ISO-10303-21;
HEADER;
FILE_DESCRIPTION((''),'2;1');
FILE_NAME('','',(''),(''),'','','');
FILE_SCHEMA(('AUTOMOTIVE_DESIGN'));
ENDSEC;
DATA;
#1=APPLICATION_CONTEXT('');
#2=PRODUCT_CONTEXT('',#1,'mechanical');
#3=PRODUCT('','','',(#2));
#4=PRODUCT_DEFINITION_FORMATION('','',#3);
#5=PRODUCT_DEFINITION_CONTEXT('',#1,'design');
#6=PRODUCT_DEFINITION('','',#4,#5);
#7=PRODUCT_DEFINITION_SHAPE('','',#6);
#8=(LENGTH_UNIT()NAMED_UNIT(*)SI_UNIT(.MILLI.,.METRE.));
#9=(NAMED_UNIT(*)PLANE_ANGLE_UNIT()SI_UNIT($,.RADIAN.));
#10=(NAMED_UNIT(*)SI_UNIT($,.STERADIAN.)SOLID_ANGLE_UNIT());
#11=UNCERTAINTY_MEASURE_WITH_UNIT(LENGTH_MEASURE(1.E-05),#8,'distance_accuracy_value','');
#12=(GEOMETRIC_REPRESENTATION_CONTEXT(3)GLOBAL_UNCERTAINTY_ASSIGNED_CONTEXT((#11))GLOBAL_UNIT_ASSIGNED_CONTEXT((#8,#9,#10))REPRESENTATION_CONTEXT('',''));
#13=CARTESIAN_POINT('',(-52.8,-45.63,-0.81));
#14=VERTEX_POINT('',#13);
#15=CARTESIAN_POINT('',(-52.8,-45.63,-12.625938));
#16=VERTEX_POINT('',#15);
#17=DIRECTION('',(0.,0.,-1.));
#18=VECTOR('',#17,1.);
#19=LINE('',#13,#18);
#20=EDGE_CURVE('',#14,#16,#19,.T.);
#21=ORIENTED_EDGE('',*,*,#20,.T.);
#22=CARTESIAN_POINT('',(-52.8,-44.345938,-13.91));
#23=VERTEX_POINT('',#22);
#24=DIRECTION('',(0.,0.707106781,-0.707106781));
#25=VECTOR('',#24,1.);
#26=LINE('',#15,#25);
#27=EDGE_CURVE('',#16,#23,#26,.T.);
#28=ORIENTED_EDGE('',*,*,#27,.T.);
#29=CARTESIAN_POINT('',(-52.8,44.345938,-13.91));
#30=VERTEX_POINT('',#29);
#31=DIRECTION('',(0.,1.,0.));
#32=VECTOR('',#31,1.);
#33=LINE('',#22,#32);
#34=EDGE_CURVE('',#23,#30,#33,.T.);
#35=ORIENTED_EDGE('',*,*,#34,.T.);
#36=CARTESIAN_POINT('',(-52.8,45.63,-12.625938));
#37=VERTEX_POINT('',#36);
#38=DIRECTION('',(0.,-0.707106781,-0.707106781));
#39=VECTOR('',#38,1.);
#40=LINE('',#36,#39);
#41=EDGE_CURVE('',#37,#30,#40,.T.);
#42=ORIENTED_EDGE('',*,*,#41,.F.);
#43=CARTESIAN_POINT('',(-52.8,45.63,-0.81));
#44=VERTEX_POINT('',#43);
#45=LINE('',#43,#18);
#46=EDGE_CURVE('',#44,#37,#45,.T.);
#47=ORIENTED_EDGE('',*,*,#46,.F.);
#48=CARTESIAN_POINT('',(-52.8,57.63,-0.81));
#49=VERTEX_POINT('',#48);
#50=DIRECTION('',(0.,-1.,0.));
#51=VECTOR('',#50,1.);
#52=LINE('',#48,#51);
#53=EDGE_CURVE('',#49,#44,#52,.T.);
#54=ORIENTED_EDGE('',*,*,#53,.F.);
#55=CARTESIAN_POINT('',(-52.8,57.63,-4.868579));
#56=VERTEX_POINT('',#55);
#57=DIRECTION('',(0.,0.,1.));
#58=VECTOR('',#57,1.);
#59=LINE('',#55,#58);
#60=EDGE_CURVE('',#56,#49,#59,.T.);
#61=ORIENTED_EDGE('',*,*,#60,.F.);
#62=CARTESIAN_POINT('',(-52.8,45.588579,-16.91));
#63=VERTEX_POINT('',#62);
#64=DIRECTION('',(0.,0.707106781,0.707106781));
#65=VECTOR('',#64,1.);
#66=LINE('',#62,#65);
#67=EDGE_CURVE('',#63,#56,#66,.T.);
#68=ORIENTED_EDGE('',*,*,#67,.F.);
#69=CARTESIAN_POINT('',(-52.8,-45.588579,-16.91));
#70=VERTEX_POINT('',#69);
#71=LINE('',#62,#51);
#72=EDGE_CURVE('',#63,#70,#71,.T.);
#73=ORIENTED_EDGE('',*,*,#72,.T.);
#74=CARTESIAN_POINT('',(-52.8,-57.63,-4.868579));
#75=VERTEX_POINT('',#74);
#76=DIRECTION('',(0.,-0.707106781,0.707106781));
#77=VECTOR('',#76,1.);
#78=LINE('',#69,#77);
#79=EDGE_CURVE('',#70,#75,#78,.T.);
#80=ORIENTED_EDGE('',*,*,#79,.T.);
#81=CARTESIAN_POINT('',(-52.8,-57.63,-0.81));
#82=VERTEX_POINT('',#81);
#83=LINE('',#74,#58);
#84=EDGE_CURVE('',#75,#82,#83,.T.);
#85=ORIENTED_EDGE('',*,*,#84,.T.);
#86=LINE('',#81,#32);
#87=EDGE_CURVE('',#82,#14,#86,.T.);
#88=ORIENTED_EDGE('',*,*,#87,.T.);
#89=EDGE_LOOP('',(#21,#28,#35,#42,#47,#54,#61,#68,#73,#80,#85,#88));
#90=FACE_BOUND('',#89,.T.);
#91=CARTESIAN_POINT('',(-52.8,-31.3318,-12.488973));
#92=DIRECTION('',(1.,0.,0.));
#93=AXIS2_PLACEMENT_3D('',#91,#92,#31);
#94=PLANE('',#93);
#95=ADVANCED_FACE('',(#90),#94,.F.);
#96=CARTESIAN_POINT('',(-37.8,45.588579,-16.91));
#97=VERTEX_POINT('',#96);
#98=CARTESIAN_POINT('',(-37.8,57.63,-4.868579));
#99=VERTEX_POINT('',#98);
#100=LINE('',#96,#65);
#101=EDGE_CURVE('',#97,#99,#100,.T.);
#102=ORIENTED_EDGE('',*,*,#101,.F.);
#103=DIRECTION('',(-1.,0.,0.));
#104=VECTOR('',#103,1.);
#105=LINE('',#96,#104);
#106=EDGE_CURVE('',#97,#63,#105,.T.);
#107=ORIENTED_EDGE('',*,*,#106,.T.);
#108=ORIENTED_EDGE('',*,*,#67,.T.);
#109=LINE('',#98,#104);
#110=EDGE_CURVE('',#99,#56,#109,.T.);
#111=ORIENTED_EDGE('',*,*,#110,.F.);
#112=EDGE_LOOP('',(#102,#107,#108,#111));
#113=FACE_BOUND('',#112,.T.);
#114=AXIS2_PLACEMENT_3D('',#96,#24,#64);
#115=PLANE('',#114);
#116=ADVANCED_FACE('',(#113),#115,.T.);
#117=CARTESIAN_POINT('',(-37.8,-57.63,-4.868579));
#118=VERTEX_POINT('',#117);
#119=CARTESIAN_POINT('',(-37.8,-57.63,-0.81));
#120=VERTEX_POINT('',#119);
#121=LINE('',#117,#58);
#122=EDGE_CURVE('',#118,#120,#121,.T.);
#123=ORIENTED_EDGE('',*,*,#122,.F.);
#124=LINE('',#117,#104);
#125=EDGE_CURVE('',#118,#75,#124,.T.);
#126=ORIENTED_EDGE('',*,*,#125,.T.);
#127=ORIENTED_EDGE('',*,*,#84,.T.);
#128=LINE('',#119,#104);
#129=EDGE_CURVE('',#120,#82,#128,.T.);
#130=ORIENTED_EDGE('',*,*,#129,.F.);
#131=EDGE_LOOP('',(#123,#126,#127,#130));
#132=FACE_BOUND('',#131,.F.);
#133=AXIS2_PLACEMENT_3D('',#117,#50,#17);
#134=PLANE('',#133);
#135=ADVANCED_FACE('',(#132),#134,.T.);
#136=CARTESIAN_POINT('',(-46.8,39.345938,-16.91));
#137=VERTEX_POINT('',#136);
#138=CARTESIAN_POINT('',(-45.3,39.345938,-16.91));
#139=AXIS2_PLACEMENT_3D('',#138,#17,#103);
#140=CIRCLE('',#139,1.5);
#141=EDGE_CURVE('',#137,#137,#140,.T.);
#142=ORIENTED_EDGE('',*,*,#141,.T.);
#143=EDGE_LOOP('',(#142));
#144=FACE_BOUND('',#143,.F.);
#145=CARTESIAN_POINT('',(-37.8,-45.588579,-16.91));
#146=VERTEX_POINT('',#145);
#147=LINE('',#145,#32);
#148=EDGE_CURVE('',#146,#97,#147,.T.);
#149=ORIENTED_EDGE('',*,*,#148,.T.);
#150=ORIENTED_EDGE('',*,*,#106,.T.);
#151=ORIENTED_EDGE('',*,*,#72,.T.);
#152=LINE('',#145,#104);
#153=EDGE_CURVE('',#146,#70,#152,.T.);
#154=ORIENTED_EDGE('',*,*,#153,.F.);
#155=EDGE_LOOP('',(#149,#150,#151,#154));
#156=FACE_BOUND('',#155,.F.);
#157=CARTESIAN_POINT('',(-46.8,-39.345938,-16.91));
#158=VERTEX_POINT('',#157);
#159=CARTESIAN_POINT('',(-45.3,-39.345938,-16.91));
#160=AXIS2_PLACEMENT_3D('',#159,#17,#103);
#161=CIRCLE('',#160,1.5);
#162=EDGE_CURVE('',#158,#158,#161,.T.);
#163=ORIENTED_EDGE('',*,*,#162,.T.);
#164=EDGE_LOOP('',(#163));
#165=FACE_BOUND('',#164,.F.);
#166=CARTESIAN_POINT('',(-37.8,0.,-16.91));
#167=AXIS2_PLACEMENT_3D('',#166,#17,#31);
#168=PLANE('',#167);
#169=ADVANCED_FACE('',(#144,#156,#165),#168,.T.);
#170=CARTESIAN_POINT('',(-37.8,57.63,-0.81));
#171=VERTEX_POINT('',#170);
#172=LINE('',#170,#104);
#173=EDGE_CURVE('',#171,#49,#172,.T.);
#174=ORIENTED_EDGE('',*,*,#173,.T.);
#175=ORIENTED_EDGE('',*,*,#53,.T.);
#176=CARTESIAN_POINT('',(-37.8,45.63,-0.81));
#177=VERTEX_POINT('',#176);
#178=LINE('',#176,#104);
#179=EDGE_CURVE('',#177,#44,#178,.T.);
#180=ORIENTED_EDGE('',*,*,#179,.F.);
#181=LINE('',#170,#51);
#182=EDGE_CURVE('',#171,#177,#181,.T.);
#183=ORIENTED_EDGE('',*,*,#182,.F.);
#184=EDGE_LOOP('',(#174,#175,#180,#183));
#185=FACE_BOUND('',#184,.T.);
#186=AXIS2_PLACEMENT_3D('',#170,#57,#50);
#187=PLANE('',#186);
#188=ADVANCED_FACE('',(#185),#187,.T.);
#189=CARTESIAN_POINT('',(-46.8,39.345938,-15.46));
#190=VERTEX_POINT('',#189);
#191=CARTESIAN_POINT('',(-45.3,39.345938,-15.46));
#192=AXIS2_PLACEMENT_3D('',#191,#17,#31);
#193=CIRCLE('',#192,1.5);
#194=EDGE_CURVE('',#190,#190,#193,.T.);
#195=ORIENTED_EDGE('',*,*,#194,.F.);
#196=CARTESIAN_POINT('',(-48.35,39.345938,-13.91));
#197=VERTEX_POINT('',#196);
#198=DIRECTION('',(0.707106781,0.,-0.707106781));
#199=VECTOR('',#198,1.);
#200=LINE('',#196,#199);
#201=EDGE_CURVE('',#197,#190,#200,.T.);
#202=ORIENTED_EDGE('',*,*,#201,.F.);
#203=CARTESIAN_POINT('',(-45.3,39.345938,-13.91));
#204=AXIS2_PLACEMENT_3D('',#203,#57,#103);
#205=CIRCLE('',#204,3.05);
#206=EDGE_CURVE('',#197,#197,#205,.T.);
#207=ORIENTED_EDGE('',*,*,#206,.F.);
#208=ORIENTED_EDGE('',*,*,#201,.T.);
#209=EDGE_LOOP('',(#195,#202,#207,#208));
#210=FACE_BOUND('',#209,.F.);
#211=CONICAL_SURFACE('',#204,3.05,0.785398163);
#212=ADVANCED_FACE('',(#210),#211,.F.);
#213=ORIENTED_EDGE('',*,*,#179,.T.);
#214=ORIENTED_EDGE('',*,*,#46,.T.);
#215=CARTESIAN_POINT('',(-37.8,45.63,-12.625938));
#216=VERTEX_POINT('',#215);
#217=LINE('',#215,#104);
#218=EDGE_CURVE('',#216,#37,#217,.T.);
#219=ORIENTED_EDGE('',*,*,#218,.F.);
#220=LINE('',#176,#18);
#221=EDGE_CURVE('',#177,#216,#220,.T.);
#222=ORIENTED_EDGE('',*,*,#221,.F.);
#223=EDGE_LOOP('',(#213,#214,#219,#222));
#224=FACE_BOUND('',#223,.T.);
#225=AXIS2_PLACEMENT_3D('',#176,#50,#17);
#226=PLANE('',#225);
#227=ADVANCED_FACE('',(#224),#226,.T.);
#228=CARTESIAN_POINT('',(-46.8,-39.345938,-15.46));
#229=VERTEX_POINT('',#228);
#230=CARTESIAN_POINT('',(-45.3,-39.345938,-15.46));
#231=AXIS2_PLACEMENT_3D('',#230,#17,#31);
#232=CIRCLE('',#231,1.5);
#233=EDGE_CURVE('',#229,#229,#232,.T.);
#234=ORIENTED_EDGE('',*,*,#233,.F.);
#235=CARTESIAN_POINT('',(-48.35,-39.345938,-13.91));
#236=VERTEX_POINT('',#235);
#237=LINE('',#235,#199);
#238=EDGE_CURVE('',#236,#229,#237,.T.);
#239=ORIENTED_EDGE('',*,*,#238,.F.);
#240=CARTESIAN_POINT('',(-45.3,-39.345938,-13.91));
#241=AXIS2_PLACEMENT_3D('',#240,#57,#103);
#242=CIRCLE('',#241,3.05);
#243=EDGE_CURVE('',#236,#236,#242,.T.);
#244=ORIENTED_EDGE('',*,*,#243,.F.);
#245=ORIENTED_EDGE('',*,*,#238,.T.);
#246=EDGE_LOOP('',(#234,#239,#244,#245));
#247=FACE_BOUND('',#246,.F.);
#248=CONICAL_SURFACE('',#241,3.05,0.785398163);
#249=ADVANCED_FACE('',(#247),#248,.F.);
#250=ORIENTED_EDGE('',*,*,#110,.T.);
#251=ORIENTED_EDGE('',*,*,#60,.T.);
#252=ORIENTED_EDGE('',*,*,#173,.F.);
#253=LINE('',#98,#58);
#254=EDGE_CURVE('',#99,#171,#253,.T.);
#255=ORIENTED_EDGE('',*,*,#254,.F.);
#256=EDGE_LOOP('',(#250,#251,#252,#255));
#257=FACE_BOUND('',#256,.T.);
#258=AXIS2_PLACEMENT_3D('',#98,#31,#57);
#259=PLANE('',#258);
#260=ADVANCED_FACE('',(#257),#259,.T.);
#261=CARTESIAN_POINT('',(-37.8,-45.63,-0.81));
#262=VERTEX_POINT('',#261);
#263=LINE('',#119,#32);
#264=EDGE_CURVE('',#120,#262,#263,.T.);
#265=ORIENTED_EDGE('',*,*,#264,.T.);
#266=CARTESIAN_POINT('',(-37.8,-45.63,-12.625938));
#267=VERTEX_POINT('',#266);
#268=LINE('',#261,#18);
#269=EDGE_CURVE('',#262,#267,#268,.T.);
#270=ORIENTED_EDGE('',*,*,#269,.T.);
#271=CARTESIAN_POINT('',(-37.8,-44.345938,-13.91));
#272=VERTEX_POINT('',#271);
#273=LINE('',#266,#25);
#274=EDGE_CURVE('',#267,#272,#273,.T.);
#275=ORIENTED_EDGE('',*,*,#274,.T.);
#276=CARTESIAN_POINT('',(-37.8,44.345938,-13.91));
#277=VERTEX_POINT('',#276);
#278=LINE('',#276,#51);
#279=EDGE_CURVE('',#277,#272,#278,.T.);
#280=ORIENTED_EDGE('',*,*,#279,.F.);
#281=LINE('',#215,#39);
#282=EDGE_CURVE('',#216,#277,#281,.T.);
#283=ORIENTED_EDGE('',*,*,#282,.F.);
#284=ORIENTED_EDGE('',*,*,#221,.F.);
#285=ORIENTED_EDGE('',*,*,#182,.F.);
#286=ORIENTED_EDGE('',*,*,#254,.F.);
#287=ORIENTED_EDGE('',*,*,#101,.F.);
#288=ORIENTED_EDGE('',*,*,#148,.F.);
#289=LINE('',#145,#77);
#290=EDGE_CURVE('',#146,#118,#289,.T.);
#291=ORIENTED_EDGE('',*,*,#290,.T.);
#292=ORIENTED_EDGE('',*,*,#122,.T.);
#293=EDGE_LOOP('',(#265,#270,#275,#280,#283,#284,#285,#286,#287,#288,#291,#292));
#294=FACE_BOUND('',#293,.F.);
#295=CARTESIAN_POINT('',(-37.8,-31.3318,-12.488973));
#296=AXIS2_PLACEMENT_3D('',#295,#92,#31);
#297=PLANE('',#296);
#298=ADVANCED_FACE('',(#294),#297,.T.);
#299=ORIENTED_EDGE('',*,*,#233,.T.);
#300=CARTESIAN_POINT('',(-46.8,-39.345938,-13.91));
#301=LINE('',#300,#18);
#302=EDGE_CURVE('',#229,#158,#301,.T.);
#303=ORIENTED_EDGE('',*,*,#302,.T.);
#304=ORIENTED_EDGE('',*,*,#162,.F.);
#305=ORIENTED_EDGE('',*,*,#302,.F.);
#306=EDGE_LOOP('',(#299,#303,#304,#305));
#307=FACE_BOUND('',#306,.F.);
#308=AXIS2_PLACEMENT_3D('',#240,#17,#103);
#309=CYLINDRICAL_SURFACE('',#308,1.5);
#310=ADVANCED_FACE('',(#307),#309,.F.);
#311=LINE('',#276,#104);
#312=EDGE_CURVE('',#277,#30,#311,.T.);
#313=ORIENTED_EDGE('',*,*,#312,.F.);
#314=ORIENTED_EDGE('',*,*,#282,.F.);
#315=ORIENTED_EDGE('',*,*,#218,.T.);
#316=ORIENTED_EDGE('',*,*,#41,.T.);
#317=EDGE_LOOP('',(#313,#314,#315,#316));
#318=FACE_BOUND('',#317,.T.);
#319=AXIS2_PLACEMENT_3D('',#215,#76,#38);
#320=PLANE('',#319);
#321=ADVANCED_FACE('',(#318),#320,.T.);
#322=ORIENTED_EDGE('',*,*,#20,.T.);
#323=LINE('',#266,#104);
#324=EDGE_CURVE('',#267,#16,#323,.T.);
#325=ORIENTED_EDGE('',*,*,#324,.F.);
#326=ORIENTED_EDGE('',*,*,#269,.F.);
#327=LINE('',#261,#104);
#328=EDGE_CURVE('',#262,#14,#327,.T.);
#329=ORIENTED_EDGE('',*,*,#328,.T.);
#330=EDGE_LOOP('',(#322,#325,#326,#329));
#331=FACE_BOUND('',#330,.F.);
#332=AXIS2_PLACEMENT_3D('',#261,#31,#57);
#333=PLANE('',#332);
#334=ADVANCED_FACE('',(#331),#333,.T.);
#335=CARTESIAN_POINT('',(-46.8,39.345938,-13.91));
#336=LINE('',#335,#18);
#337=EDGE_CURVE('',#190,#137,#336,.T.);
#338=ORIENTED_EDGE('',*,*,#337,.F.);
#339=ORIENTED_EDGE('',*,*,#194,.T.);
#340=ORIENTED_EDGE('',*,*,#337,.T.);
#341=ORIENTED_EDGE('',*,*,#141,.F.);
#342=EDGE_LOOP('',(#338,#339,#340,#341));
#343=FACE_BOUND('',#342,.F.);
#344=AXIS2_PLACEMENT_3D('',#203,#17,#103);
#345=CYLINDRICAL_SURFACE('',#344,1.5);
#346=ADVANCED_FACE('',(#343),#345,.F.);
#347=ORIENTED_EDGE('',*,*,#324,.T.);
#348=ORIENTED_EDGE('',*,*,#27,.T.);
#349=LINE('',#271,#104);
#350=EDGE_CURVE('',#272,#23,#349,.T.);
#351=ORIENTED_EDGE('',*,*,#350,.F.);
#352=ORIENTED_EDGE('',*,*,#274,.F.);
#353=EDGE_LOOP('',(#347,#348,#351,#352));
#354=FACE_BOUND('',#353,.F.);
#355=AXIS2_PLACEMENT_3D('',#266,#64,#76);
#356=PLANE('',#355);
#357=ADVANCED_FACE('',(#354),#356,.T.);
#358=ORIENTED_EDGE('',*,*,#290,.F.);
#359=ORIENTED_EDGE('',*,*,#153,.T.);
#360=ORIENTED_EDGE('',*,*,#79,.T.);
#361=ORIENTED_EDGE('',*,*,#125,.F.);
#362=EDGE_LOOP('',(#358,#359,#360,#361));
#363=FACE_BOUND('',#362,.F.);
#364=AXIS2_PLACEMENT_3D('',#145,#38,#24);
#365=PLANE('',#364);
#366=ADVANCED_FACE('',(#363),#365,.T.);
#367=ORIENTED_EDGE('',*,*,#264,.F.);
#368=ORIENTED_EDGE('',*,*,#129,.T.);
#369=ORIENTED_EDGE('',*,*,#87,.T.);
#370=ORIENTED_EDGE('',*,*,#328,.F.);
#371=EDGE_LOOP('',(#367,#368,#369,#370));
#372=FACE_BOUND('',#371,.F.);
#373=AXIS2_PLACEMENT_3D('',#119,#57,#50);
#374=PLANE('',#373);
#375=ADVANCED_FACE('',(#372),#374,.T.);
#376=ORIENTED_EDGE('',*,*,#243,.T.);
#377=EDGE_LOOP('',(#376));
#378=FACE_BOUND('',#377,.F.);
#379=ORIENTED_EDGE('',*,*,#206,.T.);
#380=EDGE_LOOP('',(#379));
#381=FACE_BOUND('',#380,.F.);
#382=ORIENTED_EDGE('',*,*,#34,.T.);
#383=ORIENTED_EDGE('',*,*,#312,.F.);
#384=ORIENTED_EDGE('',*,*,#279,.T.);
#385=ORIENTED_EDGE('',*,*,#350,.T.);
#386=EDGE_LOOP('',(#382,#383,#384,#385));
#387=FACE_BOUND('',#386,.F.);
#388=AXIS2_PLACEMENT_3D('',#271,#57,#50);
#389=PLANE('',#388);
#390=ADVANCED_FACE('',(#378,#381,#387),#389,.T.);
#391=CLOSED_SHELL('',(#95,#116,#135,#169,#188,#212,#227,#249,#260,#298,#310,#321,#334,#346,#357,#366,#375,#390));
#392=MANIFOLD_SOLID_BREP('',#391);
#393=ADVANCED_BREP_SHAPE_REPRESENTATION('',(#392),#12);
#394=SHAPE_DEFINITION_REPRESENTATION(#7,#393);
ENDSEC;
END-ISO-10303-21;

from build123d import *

# Parameters (mm, degrees)
PAD005_DEPTH        = 15
HOLE001_D           = 3
HOLE001_DEPTH       = 25
HOLE001_CSINK_D     = 6.1
HOLE001_CSINK_ANGLE = 90
HOLE_D              = 3
HOLE_DEPTH          = 25
HOLE_CSINK_D        = 6.1
HOLE_CSINK_ANGLE    = 90


with BuildPart() as part:
    # Sketch005 (on Face53 of Binder002) → Pad005 (new body)
    with BuildSketch(Plane(origin=(87.2, 0, 0), x_dir=(0, -1, 0), z_dir=(-1, 0, 0))):
        Polygon((-57.63, -4.868579), (-57.63, -0.81), (-45.63, -0.81), (-45.63, -12.625938), (-44.345938, -13.91), (0, -13.91), (0, -16.91), (-45.588579, -16.91), align=None)
    pad005 = extrude(amount=PAD005_DEPTH)

    # Mirrored: Pad005 across Sketch005 V_Axis
    add(pad005.mirror(Plane(origin=(87.2, 0, 0), x_dir=(-1, 0, 0), z_dir=(0, -1, 0))))

    # Hole001
    with Locations(Plane.XY.offset(-13.91)):
        with Locations((79.7, 39.345938), (79.7, -39.345938)):
            CounterSinkHole(HOLE001_D / 2, HOLE001_CSINK_D / 2, depth=HOLE001_DEPTH, counter_sink_angle=HOLE001_CSINK_ANGLE)

    # Hole
    with Locations(Plane.XY.offset(-13.91)):
        with Locations((79.7, 39.345938), (79.7, -39.345938)):
            CounterSinkHole(HOLE_D / 2, HOLE_CSINK_D / 2, depth=HOLE_DEPTH, counter_sink_angle=HOLE_CSINK_ANGLE)


with BuildPart() as part_1:
    # Body003 placement: moved
    add(part.part.moved(Location((-125, 0, 0))))


solid = part_1.part
